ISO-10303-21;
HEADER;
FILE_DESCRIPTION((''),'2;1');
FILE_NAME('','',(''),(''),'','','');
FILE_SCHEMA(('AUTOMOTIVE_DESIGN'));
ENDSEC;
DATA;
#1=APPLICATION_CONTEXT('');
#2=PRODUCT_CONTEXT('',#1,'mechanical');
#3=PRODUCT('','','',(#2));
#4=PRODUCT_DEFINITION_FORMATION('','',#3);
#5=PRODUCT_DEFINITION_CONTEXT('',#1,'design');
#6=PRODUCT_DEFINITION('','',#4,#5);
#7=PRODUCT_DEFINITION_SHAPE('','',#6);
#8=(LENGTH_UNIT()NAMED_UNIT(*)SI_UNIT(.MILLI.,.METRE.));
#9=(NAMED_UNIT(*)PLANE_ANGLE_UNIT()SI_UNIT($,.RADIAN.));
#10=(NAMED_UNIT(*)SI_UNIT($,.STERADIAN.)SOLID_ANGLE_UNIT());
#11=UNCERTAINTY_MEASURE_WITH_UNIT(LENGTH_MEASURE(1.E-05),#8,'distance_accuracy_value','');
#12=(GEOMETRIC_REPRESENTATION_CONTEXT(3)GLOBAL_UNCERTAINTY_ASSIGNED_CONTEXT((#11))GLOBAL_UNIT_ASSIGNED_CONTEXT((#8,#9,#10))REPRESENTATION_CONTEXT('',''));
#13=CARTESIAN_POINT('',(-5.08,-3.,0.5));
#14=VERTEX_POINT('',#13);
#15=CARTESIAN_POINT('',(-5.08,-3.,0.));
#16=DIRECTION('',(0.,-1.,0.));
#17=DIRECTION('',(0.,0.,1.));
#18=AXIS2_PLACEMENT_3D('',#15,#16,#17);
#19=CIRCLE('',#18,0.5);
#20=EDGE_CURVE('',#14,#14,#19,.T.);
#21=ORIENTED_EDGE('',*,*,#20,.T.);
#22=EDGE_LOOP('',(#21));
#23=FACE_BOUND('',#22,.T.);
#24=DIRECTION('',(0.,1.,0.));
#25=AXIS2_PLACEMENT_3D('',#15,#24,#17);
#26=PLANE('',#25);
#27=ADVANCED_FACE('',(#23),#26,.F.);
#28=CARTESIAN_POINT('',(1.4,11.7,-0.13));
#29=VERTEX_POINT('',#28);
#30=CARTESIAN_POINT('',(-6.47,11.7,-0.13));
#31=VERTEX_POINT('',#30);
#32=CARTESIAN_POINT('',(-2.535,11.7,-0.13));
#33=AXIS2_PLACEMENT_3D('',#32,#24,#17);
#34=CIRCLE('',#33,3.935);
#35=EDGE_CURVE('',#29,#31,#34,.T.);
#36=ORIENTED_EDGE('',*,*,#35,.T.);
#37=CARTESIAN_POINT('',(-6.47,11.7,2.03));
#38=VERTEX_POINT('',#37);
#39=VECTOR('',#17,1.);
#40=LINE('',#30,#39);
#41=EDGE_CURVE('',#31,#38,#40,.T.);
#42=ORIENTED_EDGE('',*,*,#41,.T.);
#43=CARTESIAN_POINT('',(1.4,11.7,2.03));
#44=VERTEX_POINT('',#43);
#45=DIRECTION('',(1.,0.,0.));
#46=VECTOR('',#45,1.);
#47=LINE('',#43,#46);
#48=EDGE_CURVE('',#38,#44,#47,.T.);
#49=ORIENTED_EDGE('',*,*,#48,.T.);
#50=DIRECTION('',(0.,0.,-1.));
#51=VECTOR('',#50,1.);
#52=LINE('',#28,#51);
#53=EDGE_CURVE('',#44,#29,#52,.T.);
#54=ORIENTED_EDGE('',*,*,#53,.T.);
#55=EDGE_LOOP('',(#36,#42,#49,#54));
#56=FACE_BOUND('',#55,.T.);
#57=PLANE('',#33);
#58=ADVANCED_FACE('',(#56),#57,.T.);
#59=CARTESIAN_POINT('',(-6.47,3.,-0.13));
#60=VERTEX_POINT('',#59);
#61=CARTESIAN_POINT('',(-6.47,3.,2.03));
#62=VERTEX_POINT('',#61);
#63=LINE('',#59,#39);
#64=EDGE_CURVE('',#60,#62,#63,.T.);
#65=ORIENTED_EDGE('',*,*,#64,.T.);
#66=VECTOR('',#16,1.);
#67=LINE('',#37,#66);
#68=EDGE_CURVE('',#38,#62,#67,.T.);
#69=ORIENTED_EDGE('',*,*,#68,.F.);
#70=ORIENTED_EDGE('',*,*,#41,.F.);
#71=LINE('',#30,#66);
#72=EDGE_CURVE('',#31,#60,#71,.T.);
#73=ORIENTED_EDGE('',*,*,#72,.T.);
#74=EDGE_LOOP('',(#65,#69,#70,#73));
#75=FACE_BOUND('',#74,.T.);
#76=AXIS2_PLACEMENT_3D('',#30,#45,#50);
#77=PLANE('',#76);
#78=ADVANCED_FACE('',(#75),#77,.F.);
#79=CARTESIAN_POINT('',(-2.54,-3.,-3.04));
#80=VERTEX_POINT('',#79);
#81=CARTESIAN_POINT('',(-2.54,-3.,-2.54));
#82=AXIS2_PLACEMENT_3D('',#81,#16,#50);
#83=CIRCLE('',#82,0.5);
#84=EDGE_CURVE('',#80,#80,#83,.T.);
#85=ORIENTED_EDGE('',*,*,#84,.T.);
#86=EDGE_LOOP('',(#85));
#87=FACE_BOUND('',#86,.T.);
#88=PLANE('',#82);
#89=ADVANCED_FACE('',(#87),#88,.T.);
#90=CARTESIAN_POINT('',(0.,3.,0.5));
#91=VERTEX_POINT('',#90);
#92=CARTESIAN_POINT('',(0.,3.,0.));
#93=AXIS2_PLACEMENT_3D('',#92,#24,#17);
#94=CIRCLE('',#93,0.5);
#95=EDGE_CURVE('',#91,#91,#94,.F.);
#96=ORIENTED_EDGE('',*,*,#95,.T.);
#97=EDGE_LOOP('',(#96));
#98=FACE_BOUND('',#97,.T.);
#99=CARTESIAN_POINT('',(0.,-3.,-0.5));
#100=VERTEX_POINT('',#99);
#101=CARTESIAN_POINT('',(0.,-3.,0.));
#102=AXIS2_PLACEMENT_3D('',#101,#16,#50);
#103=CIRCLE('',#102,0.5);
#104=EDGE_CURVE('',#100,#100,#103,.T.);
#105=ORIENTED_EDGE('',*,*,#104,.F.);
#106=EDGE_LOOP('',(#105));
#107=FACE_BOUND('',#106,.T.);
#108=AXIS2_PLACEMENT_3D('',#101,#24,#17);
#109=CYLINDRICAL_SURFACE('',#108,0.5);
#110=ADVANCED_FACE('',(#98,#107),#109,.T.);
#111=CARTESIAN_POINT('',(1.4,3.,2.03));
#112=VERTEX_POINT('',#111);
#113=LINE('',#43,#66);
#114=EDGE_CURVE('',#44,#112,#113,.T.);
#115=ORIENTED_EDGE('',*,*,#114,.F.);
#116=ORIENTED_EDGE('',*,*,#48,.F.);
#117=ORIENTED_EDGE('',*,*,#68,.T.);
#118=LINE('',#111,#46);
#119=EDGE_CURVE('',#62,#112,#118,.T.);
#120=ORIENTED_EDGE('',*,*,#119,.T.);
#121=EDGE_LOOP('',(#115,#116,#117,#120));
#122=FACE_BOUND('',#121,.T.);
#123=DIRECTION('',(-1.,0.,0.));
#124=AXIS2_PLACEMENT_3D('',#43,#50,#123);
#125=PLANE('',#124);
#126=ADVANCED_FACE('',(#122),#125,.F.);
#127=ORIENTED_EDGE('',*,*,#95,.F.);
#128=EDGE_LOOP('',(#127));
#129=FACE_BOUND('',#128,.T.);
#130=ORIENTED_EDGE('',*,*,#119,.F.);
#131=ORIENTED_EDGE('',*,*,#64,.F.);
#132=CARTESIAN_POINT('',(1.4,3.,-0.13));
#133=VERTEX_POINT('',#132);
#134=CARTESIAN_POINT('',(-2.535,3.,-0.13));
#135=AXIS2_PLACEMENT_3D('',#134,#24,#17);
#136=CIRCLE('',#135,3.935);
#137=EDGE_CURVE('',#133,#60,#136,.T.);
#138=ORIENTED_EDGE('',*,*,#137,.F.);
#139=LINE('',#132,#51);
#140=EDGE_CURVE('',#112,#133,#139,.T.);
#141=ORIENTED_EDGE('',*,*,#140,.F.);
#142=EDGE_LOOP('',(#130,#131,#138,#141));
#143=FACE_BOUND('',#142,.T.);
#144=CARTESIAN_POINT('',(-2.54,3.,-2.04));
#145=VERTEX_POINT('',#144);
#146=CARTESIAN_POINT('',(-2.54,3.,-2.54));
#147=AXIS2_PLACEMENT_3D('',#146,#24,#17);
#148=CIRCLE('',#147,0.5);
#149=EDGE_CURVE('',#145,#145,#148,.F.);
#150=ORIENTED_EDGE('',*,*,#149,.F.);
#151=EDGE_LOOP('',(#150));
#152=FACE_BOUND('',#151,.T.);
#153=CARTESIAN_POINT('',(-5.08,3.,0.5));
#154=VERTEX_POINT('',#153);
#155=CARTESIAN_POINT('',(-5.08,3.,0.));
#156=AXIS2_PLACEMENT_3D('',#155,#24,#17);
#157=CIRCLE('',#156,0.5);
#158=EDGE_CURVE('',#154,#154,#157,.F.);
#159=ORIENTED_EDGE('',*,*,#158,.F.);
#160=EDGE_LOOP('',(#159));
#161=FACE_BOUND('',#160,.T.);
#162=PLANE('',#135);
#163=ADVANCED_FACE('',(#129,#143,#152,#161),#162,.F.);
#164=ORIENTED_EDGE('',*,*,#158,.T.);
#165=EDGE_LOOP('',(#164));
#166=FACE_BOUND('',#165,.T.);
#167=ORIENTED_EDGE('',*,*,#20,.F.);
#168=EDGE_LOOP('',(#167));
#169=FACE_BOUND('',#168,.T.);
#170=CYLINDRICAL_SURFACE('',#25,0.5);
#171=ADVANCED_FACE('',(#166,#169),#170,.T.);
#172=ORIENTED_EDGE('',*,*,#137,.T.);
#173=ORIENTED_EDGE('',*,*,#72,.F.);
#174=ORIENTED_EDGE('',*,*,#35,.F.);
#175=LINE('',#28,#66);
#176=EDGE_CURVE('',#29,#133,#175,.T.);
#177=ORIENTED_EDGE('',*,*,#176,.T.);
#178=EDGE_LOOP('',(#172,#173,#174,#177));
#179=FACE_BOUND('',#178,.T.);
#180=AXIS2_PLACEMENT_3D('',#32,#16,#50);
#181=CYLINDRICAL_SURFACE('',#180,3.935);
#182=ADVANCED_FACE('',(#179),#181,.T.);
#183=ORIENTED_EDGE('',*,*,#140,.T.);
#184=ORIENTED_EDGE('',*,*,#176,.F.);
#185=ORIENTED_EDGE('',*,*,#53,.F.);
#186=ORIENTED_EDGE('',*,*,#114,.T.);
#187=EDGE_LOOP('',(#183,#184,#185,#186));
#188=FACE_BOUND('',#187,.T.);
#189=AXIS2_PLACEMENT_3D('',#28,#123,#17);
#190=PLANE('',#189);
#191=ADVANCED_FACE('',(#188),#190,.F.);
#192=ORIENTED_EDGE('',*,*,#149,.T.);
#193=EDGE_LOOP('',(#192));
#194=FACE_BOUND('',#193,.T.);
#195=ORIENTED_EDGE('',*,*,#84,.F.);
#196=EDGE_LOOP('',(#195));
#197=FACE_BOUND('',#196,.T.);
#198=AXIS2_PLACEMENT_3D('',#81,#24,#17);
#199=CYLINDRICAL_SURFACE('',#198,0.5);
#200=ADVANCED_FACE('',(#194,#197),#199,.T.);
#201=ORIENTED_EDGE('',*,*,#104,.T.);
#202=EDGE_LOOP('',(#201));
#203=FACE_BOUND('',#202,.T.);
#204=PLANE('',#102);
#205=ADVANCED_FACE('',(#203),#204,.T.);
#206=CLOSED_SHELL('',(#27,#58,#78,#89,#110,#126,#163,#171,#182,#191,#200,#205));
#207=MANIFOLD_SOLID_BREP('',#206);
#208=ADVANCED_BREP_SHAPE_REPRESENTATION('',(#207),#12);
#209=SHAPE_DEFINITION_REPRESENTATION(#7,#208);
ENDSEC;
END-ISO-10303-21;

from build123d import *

# Parameters (mm, degrees)
BOSS_EXTRUDE_1_DEPTH = 8.7
SKETCH_2_R           = 0.5
BOSS_EXTRUDE_2_DEPTH = 6


with BuildPart() as part:
    # Sketch 1 → Boss-Extrude 1 (new body)
    with BuildSketch(Plane.ZX.offset(3)):
        with BuildLine():
            Line((-0.13, 1.4), (2.03, 1.4))
            Line((2.03, 1.4), (2.03, -6.47))
            Line((2.03, -6.47), (-0.13, -6.47))
            ThreePointArc((-0.13, -6.47), (-4.065, -2.535), (-0.13, 1.4))
        make_face()
    extrude(amount=BOSS_EXTRUDE_1_DEPTH)

    # Sketch 2 → Boss-Extrude 2 (add)
    with BuildSketch(Plane.XZ.offset(-3)):
        Circle(SKETCH_2_R)
        with Locations((-2.54, -2.54)):
            Circle(SKETCH_2_R)
        with Locations((-5.08, 0)):
            Circle(SKETCH_2_R)
    extrude(amount=BOSS_EXTRUDE_2_DEPTH)


solid = part.part
